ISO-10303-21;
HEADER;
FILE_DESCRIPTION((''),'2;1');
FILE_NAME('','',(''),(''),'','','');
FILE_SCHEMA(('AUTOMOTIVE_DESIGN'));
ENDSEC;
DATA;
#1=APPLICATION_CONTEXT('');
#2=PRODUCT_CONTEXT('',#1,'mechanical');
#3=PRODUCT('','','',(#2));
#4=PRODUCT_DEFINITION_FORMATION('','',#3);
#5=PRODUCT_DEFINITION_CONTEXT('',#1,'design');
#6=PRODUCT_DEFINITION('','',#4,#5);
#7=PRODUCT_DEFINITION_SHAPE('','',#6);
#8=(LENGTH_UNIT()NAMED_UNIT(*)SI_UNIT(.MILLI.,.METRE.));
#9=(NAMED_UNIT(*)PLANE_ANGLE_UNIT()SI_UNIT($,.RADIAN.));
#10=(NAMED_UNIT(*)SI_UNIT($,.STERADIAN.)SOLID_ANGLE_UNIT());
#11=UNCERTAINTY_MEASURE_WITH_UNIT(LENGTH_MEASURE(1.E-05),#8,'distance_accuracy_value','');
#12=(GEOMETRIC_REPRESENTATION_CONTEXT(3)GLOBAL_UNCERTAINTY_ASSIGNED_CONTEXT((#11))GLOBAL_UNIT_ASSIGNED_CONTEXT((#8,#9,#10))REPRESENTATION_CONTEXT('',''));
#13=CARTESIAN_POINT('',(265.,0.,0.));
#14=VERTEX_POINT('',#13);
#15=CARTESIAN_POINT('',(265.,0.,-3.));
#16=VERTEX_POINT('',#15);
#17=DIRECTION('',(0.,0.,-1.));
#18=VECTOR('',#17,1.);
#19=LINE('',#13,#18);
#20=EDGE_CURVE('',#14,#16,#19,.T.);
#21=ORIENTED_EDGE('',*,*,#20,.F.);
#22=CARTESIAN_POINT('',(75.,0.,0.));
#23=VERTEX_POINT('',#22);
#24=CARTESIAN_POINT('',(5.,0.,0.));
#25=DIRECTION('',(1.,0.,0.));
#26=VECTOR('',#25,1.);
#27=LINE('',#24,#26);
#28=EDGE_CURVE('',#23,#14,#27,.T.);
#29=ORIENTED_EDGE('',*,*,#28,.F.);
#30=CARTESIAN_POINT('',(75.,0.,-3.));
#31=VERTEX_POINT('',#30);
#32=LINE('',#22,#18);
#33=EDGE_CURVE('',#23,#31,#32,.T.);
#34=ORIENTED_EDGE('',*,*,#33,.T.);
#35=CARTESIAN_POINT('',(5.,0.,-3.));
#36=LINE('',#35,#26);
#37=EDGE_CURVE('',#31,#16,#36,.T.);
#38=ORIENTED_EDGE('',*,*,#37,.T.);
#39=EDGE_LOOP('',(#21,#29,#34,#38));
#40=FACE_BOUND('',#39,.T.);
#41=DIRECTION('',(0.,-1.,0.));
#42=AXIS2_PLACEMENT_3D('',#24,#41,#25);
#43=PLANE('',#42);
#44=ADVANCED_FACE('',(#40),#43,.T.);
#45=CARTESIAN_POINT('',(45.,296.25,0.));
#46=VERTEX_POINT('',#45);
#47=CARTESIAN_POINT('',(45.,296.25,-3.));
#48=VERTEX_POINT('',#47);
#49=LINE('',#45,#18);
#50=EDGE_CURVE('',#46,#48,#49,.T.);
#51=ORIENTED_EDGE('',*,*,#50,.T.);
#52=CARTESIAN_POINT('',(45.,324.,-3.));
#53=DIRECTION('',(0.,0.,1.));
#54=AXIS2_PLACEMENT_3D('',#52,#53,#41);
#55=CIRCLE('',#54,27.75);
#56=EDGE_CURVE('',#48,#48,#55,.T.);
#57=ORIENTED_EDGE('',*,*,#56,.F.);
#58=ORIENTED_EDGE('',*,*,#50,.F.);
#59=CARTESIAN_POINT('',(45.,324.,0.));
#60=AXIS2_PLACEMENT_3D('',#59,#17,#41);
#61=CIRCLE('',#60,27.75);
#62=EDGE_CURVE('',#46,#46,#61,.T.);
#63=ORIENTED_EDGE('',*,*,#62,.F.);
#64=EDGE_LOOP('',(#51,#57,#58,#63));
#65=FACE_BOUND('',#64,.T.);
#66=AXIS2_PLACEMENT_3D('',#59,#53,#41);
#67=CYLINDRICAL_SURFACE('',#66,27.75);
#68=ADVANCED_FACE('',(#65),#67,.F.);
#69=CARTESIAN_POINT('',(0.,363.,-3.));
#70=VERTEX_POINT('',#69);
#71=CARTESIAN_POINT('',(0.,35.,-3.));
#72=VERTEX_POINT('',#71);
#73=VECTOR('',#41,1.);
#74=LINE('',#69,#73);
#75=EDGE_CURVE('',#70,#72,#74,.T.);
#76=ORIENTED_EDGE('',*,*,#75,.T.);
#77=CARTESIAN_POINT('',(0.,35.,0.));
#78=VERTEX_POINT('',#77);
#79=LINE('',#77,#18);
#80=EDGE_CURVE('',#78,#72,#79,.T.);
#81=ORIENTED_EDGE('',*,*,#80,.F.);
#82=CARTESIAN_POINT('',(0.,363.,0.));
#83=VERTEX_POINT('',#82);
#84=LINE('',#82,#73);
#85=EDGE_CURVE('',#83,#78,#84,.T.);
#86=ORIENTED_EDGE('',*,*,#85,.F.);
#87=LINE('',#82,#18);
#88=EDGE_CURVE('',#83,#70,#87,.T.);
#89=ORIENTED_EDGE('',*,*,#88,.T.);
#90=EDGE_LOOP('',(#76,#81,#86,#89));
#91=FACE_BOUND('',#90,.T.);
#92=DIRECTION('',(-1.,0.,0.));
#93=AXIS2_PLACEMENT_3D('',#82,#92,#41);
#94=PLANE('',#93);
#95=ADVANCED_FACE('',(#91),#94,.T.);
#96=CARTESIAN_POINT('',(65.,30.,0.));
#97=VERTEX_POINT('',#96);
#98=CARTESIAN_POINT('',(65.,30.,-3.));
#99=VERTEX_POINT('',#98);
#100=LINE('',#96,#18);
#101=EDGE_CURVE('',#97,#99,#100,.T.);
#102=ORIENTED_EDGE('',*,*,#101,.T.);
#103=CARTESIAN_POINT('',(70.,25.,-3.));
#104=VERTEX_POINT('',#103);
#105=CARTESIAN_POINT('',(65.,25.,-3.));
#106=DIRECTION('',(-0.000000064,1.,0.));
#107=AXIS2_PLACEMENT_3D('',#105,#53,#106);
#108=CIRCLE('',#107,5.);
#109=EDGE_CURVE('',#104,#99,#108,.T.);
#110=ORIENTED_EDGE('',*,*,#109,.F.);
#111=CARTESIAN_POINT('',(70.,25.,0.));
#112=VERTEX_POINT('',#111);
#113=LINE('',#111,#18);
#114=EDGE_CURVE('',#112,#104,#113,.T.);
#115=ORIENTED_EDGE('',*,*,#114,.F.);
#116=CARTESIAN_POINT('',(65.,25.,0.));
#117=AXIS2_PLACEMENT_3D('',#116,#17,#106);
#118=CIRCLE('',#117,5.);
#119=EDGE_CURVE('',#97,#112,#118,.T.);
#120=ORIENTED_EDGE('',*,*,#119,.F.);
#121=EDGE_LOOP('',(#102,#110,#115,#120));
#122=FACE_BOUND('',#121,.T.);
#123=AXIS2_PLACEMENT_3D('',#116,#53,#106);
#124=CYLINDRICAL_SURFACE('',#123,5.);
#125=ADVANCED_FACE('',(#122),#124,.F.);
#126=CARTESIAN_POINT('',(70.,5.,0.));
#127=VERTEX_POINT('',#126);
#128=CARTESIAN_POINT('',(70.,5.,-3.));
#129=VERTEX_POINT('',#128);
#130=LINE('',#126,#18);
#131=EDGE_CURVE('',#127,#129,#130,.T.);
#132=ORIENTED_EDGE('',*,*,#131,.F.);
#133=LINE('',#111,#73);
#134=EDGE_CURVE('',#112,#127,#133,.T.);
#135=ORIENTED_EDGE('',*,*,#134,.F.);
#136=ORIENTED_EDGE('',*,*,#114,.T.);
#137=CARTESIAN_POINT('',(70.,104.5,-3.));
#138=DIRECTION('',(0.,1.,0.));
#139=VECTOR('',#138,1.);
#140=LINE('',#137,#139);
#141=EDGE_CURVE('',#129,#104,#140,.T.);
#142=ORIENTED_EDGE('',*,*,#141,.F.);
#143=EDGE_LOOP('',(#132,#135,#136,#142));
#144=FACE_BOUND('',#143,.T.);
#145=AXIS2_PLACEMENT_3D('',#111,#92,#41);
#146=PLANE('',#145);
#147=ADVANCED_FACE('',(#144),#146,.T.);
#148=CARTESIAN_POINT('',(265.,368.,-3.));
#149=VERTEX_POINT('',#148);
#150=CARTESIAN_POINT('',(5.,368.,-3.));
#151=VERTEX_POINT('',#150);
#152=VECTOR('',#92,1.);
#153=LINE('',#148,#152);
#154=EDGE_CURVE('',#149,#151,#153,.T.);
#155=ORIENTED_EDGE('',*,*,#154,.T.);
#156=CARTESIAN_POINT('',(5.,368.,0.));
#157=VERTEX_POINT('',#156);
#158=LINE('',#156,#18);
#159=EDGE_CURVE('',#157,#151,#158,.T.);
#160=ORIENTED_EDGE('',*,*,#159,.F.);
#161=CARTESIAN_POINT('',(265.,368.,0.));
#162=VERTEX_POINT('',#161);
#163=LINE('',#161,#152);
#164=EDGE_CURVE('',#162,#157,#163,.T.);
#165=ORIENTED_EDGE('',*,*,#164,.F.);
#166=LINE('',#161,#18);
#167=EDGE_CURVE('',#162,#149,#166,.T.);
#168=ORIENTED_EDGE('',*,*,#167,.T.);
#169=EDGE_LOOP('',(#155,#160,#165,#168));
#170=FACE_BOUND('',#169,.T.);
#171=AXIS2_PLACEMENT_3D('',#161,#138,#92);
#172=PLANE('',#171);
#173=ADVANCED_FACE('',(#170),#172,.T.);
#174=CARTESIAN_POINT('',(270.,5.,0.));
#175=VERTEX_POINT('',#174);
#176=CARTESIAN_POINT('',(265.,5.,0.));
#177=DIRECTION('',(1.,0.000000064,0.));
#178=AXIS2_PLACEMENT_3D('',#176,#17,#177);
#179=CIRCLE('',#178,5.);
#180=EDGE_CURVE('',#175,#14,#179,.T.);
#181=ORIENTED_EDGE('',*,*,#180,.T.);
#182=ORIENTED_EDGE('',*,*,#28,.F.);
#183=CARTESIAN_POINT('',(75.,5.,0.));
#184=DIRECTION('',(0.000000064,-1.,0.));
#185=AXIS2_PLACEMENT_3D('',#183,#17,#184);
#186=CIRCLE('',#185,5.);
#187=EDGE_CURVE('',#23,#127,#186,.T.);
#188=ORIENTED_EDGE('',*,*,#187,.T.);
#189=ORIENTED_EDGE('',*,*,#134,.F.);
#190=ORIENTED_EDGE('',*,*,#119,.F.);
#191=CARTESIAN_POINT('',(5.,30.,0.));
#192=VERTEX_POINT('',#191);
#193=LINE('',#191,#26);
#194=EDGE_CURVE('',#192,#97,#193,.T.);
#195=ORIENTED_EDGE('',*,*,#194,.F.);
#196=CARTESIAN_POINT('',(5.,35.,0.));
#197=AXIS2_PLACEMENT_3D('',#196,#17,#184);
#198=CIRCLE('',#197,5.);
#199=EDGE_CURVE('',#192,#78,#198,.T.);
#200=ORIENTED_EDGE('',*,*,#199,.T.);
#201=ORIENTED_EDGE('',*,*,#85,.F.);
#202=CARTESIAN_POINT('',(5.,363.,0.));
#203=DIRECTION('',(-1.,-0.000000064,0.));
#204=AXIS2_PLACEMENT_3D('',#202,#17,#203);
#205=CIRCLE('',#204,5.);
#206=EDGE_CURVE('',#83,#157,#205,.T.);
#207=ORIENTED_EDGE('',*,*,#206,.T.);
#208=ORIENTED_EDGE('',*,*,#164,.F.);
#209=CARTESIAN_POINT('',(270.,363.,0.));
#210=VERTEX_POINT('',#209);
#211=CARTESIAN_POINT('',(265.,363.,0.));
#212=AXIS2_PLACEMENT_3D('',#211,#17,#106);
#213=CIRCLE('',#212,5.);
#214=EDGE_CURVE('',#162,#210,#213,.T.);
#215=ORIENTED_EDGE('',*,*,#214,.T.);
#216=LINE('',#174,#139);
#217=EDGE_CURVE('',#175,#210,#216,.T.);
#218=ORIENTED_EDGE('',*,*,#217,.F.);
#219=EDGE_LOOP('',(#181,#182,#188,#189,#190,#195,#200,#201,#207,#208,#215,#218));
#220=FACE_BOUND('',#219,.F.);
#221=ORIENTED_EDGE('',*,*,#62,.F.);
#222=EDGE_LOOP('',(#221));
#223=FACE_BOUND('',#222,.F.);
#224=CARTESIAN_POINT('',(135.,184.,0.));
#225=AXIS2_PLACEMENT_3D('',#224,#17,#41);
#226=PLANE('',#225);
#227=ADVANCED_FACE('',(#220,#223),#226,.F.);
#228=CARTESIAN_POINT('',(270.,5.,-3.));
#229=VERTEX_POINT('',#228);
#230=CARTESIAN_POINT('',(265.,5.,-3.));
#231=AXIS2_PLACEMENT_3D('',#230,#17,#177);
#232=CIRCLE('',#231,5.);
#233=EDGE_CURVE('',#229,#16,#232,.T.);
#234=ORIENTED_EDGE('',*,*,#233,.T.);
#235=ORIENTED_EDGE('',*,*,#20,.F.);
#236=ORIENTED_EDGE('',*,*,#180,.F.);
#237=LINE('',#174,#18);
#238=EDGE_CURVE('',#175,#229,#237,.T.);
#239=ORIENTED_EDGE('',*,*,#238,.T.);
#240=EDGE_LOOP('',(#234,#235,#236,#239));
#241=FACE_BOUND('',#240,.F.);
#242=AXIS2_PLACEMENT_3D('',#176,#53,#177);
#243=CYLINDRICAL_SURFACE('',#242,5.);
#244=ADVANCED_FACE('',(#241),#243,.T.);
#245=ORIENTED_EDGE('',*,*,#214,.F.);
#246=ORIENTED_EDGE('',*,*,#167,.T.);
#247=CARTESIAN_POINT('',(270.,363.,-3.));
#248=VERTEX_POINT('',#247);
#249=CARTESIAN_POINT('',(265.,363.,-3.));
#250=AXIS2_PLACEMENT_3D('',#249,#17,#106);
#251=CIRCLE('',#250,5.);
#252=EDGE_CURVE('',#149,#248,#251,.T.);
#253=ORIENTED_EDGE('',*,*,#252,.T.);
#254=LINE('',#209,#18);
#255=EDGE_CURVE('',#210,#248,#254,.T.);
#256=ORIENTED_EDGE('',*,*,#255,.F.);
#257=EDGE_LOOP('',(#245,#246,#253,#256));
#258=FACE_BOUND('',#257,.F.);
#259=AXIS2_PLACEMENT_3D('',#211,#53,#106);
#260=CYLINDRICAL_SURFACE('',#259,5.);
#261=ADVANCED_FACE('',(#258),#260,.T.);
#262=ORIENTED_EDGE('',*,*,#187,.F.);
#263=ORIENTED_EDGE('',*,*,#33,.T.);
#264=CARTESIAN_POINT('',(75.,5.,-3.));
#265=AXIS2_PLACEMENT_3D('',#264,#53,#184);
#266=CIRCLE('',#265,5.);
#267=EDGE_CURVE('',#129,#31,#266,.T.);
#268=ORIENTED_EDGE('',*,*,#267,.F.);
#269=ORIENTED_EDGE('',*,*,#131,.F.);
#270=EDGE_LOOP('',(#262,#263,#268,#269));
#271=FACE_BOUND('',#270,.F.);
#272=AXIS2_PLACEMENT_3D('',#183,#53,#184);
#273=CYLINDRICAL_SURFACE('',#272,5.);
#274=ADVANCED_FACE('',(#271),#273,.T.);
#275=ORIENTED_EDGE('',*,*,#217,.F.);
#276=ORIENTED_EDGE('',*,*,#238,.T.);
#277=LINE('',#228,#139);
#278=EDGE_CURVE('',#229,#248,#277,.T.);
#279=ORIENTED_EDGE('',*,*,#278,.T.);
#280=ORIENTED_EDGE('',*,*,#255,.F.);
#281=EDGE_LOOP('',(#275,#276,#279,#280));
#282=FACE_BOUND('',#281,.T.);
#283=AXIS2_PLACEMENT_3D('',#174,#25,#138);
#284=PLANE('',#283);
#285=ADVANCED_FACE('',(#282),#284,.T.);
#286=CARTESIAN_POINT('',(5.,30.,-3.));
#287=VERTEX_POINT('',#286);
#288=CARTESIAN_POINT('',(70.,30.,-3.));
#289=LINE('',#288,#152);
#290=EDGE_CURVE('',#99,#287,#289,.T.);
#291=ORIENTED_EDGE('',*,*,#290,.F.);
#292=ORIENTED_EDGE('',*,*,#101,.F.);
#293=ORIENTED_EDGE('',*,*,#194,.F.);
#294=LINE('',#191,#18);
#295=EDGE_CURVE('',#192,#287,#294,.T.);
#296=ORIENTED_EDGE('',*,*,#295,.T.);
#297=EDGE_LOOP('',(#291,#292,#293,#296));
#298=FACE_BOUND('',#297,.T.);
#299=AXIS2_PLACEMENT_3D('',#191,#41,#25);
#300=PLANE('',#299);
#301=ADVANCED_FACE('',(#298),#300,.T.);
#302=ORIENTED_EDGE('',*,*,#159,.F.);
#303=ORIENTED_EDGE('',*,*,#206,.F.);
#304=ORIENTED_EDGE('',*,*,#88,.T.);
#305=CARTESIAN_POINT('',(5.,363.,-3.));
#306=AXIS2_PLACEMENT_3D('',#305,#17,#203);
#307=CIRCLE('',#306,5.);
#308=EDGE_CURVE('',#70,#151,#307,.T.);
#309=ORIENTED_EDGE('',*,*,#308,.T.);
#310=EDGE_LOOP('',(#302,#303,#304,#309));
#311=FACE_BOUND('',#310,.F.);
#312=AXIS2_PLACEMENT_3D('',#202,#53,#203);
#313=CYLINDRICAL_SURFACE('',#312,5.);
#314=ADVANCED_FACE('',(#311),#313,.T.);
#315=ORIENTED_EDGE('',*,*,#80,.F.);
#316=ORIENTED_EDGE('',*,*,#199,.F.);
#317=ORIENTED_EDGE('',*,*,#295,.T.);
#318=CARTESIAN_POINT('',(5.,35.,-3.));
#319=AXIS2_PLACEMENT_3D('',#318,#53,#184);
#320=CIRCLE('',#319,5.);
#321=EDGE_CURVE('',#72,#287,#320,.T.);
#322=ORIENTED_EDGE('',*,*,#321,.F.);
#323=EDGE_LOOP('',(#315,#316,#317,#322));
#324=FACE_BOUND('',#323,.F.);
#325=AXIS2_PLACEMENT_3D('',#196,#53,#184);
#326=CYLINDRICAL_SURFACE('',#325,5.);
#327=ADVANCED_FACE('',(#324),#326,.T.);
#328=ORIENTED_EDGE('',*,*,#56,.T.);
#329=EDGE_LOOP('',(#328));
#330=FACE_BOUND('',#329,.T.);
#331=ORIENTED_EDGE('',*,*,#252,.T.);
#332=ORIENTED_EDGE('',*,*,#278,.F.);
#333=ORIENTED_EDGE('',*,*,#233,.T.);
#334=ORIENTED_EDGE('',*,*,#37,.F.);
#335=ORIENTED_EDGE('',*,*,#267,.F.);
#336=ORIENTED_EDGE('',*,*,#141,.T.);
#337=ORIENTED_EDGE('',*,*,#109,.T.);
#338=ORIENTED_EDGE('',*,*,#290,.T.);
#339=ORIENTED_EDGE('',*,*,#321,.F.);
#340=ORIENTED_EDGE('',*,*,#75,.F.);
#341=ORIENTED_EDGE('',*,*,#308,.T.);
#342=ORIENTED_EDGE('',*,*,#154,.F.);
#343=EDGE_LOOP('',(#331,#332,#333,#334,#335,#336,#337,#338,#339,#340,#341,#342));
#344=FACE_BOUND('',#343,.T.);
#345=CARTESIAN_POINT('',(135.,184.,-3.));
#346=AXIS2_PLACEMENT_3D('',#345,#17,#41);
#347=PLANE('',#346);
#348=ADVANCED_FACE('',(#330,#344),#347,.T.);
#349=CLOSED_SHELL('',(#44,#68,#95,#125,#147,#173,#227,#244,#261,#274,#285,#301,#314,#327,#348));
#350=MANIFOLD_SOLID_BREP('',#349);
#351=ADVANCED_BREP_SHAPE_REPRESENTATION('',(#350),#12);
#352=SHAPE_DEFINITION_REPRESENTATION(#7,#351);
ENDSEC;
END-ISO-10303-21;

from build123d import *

# Parameters (mm, degrees)
PAD012_DEPTH             = 3
SKETCH090_R              = 27.75
POCKET039_DEPTH          = 0.001
POCKET039_DEPTH_BACK     = 3.001
POCKET040_DEPTH          = 0.001
POCKET040_DEPTH_BACK     = 3.001
BODY081_PLACEMENT_ANGLE  = 90
CLONE028_PLACEMENT_ANGLE = 180


with BuildPart() as part:
    # Sketch089 → Pad012 (new body)
    with BuildSketch(Plane.XY):
        with BuildLine():
            ThreePointArc((-184, -130), (-182.535534, -133.535534), (-179, -135))
            Line((179, -135), (-179, -135))
            ThreePointArc((179, -135), (182.535534, -133.535534), (184, -130))
            Line((184, 130), (184, -130))
            ThreePointArc((184, 130), (182.535534, 133.535534), (179, 135))
            Line((-179, 135), (179, 135))
            ThreePointArc((-179, 135), (-182.535534, 133.535534), (-184, 130))
            Line((-184, -130), (-184, 130))
        make_face()
    extrude(amount=PAD012_DEPTH)

    # Sketch090 → Pocket039 (cut, two sides)
    with BuildSketch(Plane(origin=(-140, 90, 0), x_dir=(1, 0, 0), z_dir=(0, 0, 1))) as pocket039_sk:
        Circle(SKETCH090_R)
    extrude(amount=-POCKET039_DEPTH, mode=Mode.SUBTRACT)
    extrude(pocket039_sk.sketch, amount=POCKET039_DEPTH_BACK, mode=Mode.SUBTRACT)

    # Sketch091 → Pocket040 (cut, two sides)
    with BuildSketch(Plane.XY) as pocket040_sk:
        with BuildLine():
            Line((184, 135), (149, 135))
            ThreePointArc((154, 130), (152.535534, 133.535534), (149, 135))
            Line((154, 130), (154, 70))
            ThreePointArc((154, 70), (155.464466, 66.464466), (159, 65))
            Line((159, 65), (179, 65))
            ThreePointArc((184, 60), (182.535534, 63.535534), (179, 65))
            Line((184, 60), (184, 135))
        make_face()
    extrude(amount=-POCKET040_DEPTH, mode=Mode.SUBTRACT)
    extrude(pocket040_sk.sketch, amount=POCKET040_DEPTH_BACK, mode=Mode.SUBTRACT)


with BuildPart() as part_1:
    # Body081 placement: moved
    add(part.part.moved(Location((1341, 1390, 0))).rotate(Axis((1341, 1390, 0), (0, 0, 1)), BODY081_PLACEMENT_ANGLE))


with BuildPart() as part_2:
    # Clone028 placement: moved
    add(part_1.part.moved(Location((-1206, 1574, 0))).rotate(Axis((-1206, 1574, 0), (1, 0, 0)), CLONE028_PLACEMENT_ANGLE))


solid = part_2.part
